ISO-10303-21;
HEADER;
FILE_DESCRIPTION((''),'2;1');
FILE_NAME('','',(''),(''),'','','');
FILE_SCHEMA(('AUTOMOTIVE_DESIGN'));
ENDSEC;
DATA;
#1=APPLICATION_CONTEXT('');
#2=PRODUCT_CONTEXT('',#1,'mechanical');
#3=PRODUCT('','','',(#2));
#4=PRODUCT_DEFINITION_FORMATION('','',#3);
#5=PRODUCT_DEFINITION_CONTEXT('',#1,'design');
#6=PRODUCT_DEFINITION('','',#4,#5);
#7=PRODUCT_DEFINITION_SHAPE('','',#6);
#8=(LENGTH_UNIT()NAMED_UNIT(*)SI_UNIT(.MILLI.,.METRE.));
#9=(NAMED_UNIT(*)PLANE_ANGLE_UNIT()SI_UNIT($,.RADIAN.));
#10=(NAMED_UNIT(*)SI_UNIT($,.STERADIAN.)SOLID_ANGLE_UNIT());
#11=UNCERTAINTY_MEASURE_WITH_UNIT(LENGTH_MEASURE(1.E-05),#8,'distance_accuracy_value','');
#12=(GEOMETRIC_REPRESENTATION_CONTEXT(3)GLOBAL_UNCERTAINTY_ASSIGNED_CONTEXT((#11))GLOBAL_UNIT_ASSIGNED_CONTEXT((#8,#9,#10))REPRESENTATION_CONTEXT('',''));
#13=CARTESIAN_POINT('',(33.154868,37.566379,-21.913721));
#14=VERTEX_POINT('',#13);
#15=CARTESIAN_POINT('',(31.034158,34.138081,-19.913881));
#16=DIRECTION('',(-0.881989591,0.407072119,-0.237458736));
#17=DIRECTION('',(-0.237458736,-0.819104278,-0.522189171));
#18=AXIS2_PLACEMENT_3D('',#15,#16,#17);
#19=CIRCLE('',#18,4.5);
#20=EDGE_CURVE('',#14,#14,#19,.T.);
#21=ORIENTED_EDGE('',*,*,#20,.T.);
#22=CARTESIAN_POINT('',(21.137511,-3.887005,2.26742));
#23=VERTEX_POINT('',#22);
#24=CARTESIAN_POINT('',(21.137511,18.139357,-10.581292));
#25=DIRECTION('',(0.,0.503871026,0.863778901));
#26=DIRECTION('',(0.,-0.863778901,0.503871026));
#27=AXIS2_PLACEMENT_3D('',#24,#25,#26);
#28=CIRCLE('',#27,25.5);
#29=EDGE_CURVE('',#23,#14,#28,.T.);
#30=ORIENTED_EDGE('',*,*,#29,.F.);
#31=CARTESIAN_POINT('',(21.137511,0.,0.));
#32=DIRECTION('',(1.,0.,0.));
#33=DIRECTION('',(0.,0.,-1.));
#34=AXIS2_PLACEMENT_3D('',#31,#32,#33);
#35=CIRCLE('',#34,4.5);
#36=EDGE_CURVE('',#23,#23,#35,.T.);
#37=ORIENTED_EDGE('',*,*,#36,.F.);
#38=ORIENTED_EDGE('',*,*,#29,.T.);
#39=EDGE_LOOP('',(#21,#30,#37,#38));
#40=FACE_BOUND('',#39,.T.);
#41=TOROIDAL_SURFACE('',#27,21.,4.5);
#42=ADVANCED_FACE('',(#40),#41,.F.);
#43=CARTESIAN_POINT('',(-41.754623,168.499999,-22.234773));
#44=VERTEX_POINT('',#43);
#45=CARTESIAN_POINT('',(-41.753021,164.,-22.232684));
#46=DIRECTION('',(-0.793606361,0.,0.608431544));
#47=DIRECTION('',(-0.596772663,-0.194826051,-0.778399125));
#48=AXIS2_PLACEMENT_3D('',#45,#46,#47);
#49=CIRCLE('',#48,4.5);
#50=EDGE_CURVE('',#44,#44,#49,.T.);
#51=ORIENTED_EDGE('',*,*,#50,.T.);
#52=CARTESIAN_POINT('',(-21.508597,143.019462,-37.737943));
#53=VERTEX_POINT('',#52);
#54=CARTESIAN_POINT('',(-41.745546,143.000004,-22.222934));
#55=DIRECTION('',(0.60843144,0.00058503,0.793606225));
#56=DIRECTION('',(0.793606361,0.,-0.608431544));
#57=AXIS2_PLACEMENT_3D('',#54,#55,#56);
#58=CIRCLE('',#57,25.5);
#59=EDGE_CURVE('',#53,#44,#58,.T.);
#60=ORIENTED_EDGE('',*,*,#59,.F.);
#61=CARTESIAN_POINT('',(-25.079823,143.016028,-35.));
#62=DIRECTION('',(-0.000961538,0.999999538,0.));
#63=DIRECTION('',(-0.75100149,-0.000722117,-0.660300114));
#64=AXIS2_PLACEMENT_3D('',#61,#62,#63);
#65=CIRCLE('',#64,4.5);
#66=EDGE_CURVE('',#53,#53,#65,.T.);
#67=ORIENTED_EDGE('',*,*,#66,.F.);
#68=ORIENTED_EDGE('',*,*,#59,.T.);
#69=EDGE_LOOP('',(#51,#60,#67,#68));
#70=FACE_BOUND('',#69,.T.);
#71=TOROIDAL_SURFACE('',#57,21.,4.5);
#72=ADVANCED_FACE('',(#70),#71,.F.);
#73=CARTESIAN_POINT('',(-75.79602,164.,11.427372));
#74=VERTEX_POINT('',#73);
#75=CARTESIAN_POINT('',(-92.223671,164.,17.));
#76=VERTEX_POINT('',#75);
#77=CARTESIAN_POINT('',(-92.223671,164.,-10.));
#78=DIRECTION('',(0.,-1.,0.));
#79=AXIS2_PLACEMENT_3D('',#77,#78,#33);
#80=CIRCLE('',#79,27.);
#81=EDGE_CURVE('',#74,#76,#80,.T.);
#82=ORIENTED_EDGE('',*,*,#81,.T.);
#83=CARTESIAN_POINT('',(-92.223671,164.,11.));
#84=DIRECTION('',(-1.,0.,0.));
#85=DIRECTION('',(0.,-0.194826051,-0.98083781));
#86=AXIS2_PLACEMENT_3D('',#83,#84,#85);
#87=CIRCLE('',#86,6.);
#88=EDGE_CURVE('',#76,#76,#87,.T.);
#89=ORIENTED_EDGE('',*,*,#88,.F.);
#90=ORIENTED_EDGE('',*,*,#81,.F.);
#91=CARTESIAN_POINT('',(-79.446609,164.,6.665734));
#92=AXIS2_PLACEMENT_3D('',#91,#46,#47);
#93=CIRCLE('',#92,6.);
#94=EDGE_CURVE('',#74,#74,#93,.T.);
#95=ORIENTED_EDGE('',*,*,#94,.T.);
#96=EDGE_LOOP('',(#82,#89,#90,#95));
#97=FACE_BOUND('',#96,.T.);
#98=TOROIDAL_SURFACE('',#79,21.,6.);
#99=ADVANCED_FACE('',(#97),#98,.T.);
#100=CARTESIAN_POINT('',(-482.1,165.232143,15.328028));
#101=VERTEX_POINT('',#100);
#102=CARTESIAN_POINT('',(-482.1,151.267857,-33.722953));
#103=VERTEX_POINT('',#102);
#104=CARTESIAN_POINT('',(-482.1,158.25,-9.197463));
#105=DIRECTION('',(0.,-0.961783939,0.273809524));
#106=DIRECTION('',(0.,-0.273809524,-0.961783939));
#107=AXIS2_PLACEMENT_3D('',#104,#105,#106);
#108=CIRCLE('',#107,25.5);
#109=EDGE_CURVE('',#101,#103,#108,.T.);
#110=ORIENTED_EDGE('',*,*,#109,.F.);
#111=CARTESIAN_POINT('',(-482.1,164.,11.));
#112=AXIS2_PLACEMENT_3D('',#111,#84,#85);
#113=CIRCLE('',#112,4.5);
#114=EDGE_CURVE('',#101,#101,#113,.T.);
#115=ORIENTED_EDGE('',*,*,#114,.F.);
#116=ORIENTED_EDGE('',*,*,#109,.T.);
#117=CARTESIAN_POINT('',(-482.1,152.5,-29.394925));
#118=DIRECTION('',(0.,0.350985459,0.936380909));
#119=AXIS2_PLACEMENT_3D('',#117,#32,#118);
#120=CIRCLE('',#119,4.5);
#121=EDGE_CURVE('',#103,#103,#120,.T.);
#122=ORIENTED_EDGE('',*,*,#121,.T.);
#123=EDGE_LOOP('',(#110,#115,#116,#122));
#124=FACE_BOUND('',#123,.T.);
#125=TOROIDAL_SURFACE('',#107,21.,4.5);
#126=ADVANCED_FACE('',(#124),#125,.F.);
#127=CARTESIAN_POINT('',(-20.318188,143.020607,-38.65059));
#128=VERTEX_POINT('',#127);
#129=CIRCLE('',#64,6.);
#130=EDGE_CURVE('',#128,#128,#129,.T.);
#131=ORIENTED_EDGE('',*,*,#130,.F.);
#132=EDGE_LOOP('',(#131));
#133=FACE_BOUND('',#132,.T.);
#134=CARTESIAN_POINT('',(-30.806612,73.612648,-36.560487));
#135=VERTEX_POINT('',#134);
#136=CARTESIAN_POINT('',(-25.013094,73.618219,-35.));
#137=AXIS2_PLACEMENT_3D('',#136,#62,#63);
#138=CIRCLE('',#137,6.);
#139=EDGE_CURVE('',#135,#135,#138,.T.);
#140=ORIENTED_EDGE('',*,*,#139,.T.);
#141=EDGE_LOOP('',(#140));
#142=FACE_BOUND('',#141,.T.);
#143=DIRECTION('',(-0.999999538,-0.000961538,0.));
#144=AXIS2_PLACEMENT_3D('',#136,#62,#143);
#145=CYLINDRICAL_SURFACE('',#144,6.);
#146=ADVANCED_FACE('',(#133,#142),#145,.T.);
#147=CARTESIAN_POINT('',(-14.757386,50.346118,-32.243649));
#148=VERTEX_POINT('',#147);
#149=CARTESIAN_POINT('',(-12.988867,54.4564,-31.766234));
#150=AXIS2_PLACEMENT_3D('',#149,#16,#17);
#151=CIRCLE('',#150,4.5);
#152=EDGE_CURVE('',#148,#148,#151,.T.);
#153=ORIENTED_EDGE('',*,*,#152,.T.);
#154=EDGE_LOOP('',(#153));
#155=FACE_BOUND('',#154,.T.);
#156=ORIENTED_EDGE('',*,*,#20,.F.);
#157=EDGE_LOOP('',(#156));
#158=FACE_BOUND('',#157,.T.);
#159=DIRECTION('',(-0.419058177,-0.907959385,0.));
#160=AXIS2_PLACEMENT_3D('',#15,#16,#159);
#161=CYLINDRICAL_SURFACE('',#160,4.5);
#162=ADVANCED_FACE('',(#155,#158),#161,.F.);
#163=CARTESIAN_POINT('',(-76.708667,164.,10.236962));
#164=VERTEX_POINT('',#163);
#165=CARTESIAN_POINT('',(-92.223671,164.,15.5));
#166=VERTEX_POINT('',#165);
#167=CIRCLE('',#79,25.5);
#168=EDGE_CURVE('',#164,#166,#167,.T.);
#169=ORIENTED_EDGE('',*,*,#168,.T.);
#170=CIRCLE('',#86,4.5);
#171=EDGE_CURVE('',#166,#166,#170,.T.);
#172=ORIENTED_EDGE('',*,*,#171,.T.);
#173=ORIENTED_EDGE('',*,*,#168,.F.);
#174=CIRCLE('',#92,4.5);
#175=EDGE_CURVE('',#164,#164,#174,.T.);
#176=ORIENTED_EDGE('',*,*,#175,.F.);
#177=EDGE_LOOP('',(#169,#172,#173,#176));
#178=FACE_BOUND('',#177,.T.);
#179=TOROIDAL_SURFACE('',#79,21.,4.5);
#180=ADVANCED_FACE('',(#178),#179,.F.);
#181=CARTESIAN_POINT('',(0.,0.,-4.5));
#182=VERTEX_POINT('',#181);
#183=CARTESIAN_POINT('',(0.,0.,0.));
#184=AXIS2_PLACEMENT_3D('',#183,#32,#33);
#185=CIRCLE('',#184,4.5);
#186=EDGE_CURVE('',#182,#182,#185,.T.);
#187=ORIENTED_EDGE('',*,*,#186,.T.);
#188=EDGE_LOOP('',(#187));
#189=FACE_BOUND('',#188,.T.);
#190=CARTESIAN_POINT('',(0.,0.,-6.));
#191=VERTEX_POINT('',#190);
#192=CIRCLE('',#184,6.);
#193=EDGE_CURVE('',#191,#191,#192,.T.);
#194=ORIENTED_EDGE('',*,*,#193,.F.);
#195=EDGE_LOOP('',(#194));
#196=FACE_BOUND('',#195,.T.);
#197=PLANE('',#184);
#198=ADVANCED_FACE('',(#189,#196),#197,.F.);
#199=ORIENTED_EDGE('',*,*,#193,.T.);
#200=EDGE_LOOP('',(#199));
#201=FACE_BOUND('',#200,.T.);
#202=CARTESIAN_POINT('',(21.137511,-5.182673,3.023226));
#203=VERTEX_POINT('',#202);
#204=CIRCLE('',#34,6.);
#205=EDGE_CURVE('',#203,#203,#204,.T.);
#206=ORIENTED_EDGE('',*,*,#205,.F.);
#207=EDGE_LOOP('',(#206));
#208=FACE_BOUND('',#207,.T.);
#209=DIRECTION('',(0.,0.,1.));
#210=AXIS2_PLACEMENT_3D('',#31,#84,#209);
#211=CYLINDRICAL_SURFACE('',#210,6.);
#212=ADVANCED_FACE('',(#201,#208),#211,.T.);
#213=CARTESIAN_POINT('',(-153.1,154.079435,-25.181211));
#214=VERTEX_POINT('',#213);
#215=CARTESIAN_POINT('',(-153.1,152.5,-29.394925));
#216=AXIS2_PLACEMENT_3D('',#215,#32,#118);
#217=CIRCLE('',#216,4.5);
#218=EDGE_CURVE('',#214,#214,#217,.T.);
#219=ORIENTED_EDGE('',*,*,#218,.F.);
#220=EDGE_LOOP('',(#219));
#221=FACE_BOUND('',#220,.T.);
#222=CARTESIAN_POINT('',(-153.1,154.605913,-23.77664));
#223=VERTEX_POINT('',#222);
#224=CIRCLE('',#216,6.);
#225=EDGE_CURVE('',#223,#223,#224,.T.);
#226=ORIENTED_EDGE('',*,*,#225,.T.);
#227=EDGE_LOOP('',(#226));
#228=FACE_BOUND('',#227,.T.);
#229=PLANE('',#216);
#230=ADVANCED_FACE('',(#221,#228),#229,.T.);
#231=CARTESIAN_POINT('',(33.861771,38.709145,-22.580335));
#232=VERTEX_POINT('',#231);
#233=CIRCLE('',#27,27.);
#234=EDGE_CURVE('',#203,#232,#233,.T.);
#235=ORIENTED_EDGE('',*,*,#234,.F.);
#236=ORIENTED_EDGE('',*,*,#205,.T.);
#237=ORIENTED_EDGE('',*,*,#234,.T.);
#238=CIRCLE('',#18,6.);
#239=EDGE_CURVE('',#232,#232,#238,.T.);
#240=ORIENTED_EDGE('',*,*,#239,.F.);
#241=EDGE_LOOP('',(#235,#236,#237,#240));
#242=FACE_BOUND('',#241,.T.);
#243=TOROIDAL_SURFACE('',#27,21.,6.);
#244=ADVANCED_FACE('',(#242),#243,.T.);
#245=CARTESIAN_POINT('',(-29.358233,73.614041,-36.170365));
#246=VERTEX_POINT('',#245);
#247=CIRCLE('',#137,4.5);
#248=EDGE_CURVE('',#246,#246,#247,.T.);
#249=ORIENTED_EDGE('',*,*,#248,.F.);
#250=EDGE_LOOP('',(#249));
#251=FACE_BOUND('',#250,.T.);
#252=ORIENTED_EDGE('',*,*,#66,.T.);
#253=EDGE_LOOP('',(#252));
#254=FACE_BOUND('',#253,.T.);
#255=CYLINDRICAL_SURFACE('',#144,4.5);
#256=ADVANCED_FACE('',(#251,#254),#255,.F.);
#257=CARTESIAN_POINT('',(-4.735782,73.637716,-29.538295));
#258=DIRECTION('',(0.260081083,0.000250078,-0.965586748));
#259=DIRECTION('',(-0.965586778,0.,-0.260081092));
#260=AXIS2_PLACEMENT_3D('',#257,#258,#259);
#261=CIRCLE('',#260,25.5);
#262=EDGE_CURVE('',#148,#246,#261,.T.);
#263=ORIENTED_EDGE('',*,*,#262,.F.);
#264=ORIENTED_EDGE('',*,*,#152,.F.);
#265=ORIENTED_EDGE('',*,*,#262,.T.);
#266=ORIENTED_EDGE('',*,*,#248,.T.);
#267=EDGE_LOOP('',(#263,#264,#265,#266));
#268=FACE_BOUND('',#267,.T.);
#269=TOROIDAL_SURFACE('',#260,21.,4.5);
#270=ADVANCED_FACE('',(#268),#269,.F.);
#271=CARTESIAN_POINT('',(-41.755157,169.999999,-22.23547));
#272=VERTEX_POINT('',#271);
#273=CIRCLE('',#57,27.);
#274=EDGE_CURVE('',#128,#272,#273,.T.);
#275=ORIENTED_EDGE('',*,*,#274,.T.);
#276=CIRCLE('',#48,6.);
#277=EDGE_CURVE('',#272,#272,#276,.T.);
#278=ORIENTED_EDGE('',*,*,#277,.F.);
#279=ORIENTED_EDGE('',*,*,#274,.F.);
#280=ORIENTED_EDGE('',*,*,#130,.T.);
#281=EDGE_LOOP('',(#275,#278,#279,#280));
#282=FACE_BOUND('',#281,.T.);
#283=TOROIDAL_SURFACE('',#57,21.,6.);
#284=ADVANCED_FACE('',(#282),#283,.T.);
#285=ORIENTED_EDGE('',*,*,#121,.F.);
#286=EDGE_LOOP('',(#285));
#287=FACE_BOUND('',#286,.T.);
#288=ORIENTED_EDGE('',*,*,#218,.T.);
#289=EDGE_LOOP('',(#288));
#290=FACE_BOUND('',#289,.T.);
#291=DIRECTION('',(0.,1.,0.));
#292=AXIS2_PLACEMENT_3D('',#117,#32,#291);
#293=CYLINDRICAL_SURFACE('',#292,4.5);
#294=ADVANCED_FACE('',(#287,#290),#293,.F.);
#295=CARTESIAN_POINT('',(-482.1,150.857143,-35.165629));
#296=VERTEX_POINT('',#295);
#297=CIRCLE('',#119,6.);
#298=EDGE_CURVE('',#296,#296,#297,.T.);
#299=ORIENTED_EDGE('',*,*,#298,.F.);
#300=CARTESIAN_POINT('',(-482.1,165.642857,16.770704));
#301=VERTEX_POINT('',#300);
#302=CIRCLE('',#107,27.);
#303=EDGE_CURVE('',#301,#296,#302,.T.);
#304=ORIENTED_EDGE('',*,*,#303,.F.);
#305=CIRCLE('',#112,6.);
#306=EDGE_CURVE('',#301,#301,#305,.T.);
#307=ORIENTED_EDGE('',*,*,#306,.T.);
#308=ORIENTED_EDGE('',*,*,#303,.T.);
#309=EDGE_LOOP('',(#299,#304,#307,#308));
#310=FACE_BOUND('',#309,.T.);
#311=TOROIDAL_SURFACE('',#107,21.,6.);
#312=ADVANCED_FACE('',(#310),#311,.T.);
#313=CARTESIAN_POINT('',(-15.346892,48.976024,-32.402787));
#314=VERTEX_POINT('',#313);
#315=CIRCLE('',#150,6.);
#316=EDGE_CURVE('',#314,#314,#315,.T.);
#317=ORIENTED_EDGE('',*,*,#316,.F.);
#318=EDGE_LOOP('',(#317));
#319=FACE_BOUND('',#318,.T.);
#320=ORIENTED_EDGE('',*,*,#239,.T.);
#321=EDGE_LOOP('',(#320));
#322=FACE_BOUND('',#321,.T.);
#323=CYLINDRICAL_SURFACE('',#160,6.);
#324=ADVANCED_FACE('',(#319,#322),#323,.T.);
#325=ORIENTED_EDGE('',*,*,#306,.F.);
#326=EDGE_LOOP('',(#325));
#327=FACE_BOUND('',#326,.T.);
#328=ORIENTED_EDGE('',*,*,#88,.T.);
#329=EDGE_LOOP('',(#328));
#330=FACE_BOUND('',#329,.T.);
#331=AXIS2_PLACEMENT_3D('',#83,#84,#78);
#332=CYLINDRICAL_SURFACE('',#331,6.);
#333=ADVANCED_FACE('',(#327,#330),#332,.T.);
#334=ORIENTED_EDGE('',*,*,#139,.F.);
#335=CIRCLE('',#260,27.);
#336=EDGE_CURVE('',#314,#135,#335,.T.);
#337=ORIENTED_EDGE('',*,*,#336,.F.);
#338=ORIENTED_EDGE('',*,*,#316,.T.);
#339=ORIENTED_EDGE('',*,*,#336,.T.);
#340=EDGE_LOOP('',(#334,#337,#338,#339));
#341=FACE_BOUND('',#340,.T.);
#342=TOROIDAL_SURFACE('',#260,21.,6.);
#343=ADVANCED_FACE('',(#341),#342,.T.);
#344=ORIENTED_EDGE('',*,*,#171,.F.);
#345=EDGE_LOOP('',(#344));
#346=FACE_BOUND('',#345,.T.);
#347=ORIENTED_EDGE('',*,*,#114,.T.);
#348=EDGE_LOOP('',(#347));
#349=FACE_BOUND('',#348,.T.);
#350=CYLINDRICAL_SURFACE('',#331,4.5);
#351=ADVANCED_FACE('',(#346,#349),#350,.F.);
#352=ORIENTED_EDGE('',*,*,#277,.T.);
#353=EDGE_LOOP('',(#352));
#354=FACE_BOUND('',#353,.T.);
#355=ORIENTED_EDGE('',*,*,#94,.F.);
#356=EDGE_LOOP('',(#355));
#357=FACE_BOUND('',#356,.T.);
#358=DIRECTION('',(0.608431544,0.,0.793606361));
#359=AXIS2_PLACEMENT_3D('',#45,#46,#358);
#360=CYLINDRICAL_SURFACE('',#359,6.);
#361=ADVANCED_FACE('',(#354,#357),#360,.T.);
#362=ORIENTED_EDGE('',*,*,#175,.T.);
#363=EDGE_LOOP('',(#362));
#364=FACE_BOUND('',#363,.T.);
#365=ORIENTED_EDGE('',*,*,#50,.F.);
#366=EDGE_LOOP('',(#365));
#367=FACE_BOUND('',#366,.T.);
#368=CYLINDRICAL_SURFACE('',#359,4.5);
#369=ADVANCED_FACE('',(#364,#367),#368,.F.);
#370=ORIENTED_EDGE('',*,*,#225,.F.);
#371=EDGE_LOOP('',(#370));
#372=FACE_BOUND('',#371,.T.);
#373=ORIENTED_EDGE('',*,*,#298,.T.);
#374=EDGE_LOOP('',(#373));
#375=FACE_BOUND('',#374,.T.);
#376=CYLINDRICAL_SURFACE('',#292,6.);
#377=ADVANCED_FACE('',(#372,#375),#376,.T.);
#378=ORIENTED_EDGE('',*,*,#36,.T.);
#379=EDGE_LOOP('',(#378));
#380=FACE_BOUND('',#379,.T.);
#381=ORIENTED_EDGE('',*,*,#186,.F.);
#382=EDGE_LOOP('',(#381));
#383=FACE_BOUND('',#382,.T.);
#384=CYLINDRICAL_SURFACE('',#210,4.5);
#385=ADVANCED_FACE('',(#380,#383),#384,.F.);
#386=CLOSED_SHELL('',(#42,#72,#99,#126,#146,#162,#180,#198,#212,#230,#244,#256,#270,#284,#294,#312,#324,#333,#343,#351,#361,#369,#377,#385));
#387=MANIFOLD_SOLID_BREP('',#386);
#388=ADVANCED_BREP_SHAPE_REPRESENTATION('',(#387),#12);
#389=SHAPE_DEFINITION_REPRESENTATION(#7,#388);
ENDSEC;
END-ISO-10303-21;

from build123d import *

# Parameters (mm, degrees)
SKETCH1_R   = 6
SKETCH1_R_2 = 4.5


with BuildPart() as part:
    # Sweep1: sweep along a curve in space
    with BuildLine() as sweep1_path:
        Line((0, 0, 0), (21.137511459, 0, 0))
        ThreePointArc((21.137511459, 0, 0), (41.508537571, 13.733128105, -8.010991394), (31.03415803, 34.138080909, -19.91388053))
        Line((-12.988867376, 54.456400328, -31.766233524), (31.03415803, 34.138080909, -19.91388053))
        ThreePointArc((-12.988867376, 54.456400328, -31.766233524), (-21.737931877, 62.19535533, -34.120792385), (-25.013094441, 73.61821862, -35))
        Line((-25.013094441, 73.61821862, -35), (-25.079823104, 143.016028327, -35))
        ThreePointArc((-41.753021103, 164, -22.232683821), (-29.970877633, 157.854907976, -31.261130446), (-25.079823104, 143.016028327, -35))
        Line((-41.753021103, 164, -22.232683821), (-79.446609027, 164, 6.665733587))
        ThreePointArc((-92.223671443, 164, 11), (-85.477576474, 164, 9.886935477), (-79.446609027, 164, 6.665733587))
        Line((-92.223671443, 164, 11), (-482.1, 164, 11))
        ThreePointArc((-482.1, 164, 11), (-503.1, 158.25, -9.197462712), (-482.1, 152.5, -29.394925424))
        Line((-153.1, 152.5, -29.394925424), (-482.1, 152.5, -29.394925424))
    # Sketch1 → Sweep1 (sweep)
    with BuildSketch(Plane(origin=(0, 0, 0), x_dir=(0, 0, -1), z_dir=(1, 0, 0))):
        Circle(SKETCH1_R)
        Circle(SKETCH1_R_2, mode=Mode.SUBTRACT)
    sweep(path=sweep1_path.line)


solid = part.part
